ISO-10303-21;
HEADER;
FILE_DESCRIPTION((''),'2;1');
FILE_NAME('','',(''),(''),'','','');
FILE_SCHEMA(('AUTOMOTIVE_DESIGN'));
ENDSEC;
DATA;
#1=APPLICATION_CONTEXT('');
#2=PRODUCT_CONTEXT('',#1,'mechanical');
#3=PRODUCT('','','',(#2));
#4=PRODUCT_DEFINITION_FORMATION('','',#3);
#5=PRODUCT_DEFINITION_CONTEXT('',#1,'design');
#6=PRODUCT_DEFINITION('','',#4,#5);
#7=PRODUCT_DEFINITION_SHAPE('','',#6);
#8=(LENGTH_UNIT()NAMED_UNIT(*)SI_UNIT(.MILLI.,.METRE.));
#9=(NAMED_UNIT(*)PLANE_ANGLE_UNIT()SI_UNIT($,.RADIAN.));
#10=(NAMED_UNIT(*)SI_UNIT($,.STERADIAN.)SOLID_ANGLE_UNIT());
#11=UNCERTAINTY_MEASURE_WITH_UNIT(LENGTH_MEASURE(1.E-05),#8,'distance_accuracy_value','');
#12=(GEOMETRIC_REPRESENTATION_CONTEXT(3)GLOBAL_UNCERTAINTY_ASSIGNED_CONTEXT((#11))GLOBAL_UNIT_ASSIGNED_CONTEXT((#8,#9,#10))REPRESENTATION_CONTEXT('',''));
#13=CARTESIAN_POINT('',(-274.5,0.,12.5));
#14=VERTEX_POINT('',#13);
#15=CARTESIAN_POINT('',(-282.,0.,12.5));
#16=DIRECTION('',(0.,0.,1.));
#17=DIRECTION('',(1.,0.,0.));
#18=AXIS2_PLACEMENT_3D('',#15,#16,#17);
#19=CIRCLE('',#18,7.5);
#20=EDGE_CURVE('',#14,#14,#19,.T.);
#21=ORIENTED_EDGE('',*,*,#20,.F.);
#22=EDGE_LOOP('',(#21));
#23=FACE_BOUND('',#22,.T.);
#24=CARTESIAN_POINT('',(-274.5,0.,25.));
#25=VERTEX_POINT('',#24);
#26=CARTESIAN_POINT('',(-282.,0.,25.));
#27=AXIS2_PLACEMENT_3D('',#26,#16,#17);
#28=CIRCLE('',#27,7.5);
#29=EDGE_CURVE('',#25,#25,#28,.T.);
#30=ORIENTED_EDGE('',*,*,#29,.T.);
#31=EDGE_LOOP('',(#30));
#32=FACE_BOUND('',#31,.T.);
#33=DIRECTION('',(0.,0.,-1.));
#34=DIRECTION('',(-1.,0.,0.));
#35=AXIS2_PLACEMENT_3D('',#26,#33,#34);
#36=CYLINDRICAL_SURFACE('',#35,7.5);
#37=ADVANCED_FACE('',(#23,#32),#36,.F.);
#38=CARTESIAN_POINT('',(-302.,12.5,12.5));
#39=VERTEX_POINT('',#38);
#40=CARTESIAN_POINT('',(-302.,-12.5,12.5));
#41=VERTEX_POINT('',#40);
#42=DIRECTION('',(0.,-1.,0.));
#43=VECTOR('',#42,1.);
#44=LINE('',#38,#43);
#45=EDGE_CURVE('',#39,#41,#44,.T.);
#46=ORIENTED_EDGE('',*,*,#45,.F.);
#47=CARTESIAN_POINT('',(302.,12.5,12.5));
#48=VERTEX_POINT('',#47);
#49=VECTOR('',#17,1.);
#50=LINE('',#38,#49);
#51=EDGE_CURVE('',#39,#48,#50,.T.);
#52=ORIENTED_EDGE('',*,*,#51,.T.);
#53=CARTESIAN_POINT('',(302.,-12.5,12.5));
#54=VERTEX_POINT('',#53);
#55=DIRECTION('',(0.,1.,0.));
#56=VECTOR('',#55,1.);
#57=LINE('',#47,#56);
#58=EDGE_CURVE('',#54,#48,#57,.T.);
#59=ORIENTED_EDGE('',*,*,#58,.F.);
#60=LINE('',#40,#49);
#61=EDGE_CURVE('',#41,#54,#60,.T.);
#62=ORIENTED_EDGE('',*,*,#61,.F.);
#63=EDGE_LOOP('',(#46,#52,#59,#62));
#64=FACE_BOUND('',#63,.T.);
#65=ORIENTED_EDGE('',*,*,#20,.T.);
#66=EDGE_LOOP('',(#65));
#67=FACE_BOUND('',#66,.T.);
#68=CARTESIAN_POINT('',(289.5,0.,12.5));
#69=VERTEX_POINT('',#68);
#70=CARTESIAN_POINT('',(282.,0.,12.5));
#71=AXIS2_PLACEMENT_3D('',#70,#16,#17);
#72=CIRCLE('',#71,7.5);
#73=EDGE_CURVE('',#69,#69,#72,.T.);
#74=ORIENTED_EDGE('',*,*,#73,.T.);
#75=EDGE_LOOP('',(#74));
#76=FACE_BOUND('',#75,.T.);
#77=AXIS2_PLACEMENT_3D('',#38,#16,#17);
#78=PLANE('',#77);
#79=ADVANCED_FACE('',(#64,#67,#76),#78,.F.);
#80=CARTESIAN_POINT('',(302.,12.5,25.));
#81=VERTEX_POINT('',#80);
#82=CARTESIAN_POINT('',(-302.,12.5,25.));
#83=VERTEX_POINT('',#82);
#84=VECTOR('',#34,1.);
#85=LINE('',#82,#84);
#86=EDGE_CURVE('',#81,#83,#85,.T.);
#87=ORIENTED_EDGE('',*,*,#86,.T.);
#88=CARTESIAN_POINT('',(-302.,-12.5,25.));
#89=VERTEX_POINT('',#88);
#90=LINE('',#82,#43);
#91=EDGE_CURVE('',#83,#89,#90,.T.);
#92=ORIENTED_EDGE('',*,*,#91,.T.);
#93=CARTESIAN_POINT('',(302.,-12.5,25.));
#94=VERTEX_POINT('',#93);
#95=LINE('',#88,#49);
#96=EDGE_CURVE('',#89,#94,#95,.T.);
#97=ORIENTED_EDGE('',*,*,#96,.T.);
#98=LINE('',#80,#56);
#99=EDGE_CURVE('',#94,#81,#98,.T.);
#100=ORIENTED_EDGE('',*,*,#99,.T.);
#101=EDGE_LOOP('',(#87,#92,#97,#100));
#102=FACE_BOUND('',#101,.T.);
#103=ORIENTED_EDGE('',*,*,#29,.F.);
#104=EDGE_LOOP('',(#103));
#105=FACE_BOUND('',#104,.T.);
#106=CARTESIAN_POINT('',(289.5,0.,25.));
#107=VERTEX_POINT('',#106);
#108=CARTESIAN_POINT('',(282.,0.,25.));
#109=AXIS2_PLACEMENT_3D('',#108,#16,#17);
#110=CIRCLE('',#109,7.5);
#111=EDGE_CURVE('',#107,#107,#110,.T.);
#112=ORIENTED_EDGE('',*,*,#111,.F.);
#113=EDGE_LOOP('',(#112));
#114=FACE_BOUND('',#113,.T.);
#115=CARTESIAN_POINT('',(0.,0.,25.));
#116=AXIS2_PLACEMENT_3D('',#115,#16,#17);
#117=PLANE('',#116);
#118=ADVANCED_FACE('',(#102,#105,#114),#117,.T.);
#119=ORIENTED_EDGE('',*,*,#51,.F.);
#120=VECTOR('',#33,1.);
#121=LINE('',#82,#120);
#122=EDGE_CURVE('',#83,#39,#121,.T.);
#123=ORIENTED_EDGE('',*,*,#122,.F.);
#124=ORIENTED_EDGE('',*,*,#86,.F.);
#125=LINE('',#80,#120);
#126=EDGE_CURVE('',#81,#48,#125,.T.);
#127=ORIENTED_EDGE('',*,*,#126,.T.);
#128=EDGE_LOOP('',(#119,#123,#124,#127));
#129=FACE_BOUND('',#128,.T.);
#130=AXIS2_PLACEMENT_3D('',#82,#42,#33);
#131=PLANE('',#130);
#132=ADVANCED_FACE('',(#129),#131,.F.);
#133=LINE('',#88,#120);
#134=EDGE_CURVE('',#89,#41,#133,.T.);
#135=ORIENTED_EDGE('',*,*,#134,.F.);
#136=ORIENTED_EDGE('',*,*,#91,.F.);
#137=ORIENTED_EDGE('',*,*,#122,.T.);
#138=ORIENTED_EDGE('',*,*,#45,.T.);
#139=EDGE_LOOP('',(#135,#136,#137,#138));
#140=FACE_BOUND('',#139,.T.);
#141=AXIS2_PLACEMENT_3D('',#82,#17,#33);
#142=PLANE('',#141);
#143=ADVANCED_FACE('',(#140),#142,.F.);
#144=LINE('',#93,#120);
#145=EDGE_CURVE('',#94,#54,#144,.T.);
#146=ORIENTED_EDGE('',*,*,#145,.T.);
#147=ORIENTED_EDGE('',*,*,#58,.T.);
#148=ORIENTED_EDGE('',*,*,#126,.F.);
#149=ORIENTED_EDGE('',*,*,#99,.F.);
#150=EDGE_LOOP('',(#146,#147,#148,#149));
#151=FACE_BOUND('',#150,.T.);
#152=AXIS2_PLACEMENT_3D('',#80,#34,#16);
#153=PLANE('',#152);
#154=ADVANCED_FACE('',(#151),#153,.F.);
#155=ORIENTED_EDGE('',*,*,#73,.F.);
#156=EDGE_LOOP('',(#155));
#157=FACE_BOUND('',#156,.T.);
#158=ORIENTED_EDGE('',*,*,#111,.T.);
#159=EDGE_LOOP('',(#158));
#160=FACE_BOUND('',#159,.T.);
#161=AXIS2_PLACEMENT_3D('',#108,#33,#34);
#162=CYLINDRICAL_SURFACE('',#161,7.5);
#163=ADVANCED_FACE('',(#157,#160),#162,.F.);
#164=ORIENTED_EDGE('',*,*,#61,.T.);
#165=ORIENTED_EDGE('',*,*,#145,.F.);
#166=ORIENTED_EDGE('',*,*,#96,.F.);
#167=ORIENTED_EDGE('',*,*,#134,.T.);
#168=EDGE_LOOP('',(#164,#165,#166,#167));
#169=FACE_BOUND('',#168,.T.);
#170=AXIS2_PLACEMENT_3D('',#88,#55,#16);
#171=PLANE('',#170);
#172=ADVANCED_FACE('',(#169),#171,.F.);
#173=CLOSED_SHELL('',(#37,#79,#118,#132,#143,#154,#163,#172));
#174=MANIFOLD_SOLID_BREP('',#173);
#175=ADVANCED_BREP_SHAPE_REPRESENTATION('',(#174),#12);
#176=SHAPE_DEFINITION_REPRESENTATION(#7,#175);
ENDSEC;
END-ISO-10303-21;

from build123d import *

# Parameters (mm, degrees)
SKETCH1_W               = 604
SKETCH1_H               = 25
SKETCH1_R               = 7.5
BOSS_EXTRUDE1_DEPTH     = 25
CUT_EXTRUDE1_DEPTH      = 605.646384261
CUT_EXTRUDE1_DEPTH_BACK = 605.646384261
SKETCH2_W               = 12.5
SKETCH2_H               = 25


with BuildPart() as part:
    # Sketch1 → Boss-Extrude1 (new body)
    with BuildSketch(Plane.XY):
        Rectangle(SKETCH1_W, SKETCH1_H)
        with Locations((-282, 0)):
            Circle(SKETCH1_R, mode=Mode.SUBTRACT)
        with Locations((282, 0)):
            Circle(SKETCH1_R, mode=Mode.SUBTRACT)
    extrude(amount=BOSS_EXTRUDE1_DEPTH)

    # Sketch2 → Cut-Extrude1 (cut, two sides: drawn at the far end of the back side and taken through both)
    with BuildSketch(Plane(origin=(302, 0, 0), x_dir=(0, 0, -1), z_dir=(1, 0, 0)).offset(-CUT_EXTRUDE1_DEPTH_BACK)):
        with Locations((-6.25, 0)):
            Rectangle(SKETCH2_W, SKETCH2_H)
    extrude(amount=CUT_EXTRUDE1_DEPTH + CUT_EXTRUDE1_DEPTH_BACK, mode=Mode.SUBTRACT)


solid = part.part
